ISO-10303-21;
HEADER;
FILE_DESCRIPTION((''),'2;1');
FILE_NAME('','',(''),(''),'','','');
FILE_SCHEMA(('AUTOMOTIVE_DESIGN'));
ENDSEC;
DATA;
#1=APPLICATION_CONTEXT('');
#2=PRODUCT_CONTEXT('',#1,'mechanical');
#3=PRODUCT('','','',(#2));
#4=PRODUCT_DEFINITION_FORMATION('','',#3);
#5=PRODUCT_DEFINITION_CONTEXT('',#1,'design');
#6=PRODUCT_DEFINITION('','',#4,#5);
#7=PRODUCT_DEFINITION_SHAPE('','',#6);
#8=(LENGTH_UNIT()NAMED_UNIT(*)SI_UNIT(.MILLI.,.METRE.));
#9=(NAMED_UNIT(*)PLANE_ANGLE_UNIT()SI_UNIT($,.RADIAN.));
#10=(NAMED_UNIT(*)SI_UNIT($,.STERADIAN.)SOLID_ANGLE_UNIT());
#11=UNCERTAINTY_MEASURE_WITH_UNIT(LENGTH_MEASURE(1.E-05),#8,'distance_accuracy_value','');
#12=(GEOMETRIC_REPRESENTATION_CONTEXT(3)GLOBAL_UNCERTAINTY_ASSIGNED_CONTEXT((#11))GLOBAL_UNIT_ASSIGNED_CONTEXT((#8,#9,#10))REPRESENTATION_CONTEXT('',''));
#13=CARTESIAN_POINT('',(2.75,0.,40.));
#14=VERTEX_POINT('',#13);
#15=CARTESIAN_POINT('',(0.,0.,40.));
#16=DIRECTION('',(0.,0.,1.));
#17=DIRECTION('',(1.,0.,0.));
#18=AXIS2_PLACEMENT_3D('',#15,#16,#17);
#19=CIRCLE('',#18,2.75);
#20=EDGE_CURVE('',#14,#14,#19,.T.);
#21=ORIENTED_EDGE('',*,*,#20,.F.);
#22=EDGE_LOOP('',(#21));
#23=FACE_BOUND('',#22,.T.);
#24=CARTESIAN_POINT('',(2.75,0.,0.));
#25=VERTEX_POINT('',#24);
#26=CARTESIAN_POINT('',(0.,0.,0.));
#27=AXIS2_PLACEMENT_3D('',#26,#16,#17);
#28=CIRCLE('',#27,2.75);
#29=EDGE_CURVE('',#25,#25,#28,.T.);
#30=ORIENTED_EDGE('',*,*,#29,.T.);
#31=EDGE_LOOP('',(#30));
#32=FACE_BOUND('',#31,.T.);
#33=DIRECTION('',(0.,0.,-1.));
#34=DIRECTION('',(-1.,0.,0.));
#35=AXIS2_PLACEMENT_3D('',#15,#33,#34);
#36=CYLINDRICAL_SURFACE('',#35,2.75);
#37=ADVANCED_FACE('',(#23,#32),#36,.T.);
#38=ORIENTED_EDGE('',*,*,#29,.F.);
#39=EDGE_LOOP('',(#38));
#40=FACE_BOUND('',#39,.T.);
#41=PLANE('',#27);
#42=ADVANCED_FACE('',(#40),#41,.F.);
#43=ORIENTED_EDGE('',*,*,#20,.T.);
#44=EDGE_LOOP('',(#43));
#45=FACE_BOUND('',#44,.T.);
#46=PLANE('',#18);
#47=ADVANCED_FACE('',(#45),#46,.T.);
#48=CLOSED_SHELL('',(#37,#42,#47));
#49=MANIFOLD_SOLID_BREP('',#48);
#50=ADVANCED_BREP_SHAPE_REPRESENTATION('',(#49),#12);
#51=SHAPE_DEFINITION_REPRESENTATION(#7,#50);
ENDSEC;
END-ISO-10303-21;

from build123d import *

# Parameters (mm, degrees)
IZIM1_R                     = 2.75
Y_KSEKLIK_EKSTR_ZYON1_DEPTH = 40


with BuildPart() as part:
    # Çizim1 → Yükseklik-Ekstrüzyon1 (new body)
    with BuildSketch(Plane.XY):
        Circle(IZIM1_R)
    extrude(amount=Y_KSEKLIK_EKSTR_ZYON1_DEPTH)


solid = part.part
